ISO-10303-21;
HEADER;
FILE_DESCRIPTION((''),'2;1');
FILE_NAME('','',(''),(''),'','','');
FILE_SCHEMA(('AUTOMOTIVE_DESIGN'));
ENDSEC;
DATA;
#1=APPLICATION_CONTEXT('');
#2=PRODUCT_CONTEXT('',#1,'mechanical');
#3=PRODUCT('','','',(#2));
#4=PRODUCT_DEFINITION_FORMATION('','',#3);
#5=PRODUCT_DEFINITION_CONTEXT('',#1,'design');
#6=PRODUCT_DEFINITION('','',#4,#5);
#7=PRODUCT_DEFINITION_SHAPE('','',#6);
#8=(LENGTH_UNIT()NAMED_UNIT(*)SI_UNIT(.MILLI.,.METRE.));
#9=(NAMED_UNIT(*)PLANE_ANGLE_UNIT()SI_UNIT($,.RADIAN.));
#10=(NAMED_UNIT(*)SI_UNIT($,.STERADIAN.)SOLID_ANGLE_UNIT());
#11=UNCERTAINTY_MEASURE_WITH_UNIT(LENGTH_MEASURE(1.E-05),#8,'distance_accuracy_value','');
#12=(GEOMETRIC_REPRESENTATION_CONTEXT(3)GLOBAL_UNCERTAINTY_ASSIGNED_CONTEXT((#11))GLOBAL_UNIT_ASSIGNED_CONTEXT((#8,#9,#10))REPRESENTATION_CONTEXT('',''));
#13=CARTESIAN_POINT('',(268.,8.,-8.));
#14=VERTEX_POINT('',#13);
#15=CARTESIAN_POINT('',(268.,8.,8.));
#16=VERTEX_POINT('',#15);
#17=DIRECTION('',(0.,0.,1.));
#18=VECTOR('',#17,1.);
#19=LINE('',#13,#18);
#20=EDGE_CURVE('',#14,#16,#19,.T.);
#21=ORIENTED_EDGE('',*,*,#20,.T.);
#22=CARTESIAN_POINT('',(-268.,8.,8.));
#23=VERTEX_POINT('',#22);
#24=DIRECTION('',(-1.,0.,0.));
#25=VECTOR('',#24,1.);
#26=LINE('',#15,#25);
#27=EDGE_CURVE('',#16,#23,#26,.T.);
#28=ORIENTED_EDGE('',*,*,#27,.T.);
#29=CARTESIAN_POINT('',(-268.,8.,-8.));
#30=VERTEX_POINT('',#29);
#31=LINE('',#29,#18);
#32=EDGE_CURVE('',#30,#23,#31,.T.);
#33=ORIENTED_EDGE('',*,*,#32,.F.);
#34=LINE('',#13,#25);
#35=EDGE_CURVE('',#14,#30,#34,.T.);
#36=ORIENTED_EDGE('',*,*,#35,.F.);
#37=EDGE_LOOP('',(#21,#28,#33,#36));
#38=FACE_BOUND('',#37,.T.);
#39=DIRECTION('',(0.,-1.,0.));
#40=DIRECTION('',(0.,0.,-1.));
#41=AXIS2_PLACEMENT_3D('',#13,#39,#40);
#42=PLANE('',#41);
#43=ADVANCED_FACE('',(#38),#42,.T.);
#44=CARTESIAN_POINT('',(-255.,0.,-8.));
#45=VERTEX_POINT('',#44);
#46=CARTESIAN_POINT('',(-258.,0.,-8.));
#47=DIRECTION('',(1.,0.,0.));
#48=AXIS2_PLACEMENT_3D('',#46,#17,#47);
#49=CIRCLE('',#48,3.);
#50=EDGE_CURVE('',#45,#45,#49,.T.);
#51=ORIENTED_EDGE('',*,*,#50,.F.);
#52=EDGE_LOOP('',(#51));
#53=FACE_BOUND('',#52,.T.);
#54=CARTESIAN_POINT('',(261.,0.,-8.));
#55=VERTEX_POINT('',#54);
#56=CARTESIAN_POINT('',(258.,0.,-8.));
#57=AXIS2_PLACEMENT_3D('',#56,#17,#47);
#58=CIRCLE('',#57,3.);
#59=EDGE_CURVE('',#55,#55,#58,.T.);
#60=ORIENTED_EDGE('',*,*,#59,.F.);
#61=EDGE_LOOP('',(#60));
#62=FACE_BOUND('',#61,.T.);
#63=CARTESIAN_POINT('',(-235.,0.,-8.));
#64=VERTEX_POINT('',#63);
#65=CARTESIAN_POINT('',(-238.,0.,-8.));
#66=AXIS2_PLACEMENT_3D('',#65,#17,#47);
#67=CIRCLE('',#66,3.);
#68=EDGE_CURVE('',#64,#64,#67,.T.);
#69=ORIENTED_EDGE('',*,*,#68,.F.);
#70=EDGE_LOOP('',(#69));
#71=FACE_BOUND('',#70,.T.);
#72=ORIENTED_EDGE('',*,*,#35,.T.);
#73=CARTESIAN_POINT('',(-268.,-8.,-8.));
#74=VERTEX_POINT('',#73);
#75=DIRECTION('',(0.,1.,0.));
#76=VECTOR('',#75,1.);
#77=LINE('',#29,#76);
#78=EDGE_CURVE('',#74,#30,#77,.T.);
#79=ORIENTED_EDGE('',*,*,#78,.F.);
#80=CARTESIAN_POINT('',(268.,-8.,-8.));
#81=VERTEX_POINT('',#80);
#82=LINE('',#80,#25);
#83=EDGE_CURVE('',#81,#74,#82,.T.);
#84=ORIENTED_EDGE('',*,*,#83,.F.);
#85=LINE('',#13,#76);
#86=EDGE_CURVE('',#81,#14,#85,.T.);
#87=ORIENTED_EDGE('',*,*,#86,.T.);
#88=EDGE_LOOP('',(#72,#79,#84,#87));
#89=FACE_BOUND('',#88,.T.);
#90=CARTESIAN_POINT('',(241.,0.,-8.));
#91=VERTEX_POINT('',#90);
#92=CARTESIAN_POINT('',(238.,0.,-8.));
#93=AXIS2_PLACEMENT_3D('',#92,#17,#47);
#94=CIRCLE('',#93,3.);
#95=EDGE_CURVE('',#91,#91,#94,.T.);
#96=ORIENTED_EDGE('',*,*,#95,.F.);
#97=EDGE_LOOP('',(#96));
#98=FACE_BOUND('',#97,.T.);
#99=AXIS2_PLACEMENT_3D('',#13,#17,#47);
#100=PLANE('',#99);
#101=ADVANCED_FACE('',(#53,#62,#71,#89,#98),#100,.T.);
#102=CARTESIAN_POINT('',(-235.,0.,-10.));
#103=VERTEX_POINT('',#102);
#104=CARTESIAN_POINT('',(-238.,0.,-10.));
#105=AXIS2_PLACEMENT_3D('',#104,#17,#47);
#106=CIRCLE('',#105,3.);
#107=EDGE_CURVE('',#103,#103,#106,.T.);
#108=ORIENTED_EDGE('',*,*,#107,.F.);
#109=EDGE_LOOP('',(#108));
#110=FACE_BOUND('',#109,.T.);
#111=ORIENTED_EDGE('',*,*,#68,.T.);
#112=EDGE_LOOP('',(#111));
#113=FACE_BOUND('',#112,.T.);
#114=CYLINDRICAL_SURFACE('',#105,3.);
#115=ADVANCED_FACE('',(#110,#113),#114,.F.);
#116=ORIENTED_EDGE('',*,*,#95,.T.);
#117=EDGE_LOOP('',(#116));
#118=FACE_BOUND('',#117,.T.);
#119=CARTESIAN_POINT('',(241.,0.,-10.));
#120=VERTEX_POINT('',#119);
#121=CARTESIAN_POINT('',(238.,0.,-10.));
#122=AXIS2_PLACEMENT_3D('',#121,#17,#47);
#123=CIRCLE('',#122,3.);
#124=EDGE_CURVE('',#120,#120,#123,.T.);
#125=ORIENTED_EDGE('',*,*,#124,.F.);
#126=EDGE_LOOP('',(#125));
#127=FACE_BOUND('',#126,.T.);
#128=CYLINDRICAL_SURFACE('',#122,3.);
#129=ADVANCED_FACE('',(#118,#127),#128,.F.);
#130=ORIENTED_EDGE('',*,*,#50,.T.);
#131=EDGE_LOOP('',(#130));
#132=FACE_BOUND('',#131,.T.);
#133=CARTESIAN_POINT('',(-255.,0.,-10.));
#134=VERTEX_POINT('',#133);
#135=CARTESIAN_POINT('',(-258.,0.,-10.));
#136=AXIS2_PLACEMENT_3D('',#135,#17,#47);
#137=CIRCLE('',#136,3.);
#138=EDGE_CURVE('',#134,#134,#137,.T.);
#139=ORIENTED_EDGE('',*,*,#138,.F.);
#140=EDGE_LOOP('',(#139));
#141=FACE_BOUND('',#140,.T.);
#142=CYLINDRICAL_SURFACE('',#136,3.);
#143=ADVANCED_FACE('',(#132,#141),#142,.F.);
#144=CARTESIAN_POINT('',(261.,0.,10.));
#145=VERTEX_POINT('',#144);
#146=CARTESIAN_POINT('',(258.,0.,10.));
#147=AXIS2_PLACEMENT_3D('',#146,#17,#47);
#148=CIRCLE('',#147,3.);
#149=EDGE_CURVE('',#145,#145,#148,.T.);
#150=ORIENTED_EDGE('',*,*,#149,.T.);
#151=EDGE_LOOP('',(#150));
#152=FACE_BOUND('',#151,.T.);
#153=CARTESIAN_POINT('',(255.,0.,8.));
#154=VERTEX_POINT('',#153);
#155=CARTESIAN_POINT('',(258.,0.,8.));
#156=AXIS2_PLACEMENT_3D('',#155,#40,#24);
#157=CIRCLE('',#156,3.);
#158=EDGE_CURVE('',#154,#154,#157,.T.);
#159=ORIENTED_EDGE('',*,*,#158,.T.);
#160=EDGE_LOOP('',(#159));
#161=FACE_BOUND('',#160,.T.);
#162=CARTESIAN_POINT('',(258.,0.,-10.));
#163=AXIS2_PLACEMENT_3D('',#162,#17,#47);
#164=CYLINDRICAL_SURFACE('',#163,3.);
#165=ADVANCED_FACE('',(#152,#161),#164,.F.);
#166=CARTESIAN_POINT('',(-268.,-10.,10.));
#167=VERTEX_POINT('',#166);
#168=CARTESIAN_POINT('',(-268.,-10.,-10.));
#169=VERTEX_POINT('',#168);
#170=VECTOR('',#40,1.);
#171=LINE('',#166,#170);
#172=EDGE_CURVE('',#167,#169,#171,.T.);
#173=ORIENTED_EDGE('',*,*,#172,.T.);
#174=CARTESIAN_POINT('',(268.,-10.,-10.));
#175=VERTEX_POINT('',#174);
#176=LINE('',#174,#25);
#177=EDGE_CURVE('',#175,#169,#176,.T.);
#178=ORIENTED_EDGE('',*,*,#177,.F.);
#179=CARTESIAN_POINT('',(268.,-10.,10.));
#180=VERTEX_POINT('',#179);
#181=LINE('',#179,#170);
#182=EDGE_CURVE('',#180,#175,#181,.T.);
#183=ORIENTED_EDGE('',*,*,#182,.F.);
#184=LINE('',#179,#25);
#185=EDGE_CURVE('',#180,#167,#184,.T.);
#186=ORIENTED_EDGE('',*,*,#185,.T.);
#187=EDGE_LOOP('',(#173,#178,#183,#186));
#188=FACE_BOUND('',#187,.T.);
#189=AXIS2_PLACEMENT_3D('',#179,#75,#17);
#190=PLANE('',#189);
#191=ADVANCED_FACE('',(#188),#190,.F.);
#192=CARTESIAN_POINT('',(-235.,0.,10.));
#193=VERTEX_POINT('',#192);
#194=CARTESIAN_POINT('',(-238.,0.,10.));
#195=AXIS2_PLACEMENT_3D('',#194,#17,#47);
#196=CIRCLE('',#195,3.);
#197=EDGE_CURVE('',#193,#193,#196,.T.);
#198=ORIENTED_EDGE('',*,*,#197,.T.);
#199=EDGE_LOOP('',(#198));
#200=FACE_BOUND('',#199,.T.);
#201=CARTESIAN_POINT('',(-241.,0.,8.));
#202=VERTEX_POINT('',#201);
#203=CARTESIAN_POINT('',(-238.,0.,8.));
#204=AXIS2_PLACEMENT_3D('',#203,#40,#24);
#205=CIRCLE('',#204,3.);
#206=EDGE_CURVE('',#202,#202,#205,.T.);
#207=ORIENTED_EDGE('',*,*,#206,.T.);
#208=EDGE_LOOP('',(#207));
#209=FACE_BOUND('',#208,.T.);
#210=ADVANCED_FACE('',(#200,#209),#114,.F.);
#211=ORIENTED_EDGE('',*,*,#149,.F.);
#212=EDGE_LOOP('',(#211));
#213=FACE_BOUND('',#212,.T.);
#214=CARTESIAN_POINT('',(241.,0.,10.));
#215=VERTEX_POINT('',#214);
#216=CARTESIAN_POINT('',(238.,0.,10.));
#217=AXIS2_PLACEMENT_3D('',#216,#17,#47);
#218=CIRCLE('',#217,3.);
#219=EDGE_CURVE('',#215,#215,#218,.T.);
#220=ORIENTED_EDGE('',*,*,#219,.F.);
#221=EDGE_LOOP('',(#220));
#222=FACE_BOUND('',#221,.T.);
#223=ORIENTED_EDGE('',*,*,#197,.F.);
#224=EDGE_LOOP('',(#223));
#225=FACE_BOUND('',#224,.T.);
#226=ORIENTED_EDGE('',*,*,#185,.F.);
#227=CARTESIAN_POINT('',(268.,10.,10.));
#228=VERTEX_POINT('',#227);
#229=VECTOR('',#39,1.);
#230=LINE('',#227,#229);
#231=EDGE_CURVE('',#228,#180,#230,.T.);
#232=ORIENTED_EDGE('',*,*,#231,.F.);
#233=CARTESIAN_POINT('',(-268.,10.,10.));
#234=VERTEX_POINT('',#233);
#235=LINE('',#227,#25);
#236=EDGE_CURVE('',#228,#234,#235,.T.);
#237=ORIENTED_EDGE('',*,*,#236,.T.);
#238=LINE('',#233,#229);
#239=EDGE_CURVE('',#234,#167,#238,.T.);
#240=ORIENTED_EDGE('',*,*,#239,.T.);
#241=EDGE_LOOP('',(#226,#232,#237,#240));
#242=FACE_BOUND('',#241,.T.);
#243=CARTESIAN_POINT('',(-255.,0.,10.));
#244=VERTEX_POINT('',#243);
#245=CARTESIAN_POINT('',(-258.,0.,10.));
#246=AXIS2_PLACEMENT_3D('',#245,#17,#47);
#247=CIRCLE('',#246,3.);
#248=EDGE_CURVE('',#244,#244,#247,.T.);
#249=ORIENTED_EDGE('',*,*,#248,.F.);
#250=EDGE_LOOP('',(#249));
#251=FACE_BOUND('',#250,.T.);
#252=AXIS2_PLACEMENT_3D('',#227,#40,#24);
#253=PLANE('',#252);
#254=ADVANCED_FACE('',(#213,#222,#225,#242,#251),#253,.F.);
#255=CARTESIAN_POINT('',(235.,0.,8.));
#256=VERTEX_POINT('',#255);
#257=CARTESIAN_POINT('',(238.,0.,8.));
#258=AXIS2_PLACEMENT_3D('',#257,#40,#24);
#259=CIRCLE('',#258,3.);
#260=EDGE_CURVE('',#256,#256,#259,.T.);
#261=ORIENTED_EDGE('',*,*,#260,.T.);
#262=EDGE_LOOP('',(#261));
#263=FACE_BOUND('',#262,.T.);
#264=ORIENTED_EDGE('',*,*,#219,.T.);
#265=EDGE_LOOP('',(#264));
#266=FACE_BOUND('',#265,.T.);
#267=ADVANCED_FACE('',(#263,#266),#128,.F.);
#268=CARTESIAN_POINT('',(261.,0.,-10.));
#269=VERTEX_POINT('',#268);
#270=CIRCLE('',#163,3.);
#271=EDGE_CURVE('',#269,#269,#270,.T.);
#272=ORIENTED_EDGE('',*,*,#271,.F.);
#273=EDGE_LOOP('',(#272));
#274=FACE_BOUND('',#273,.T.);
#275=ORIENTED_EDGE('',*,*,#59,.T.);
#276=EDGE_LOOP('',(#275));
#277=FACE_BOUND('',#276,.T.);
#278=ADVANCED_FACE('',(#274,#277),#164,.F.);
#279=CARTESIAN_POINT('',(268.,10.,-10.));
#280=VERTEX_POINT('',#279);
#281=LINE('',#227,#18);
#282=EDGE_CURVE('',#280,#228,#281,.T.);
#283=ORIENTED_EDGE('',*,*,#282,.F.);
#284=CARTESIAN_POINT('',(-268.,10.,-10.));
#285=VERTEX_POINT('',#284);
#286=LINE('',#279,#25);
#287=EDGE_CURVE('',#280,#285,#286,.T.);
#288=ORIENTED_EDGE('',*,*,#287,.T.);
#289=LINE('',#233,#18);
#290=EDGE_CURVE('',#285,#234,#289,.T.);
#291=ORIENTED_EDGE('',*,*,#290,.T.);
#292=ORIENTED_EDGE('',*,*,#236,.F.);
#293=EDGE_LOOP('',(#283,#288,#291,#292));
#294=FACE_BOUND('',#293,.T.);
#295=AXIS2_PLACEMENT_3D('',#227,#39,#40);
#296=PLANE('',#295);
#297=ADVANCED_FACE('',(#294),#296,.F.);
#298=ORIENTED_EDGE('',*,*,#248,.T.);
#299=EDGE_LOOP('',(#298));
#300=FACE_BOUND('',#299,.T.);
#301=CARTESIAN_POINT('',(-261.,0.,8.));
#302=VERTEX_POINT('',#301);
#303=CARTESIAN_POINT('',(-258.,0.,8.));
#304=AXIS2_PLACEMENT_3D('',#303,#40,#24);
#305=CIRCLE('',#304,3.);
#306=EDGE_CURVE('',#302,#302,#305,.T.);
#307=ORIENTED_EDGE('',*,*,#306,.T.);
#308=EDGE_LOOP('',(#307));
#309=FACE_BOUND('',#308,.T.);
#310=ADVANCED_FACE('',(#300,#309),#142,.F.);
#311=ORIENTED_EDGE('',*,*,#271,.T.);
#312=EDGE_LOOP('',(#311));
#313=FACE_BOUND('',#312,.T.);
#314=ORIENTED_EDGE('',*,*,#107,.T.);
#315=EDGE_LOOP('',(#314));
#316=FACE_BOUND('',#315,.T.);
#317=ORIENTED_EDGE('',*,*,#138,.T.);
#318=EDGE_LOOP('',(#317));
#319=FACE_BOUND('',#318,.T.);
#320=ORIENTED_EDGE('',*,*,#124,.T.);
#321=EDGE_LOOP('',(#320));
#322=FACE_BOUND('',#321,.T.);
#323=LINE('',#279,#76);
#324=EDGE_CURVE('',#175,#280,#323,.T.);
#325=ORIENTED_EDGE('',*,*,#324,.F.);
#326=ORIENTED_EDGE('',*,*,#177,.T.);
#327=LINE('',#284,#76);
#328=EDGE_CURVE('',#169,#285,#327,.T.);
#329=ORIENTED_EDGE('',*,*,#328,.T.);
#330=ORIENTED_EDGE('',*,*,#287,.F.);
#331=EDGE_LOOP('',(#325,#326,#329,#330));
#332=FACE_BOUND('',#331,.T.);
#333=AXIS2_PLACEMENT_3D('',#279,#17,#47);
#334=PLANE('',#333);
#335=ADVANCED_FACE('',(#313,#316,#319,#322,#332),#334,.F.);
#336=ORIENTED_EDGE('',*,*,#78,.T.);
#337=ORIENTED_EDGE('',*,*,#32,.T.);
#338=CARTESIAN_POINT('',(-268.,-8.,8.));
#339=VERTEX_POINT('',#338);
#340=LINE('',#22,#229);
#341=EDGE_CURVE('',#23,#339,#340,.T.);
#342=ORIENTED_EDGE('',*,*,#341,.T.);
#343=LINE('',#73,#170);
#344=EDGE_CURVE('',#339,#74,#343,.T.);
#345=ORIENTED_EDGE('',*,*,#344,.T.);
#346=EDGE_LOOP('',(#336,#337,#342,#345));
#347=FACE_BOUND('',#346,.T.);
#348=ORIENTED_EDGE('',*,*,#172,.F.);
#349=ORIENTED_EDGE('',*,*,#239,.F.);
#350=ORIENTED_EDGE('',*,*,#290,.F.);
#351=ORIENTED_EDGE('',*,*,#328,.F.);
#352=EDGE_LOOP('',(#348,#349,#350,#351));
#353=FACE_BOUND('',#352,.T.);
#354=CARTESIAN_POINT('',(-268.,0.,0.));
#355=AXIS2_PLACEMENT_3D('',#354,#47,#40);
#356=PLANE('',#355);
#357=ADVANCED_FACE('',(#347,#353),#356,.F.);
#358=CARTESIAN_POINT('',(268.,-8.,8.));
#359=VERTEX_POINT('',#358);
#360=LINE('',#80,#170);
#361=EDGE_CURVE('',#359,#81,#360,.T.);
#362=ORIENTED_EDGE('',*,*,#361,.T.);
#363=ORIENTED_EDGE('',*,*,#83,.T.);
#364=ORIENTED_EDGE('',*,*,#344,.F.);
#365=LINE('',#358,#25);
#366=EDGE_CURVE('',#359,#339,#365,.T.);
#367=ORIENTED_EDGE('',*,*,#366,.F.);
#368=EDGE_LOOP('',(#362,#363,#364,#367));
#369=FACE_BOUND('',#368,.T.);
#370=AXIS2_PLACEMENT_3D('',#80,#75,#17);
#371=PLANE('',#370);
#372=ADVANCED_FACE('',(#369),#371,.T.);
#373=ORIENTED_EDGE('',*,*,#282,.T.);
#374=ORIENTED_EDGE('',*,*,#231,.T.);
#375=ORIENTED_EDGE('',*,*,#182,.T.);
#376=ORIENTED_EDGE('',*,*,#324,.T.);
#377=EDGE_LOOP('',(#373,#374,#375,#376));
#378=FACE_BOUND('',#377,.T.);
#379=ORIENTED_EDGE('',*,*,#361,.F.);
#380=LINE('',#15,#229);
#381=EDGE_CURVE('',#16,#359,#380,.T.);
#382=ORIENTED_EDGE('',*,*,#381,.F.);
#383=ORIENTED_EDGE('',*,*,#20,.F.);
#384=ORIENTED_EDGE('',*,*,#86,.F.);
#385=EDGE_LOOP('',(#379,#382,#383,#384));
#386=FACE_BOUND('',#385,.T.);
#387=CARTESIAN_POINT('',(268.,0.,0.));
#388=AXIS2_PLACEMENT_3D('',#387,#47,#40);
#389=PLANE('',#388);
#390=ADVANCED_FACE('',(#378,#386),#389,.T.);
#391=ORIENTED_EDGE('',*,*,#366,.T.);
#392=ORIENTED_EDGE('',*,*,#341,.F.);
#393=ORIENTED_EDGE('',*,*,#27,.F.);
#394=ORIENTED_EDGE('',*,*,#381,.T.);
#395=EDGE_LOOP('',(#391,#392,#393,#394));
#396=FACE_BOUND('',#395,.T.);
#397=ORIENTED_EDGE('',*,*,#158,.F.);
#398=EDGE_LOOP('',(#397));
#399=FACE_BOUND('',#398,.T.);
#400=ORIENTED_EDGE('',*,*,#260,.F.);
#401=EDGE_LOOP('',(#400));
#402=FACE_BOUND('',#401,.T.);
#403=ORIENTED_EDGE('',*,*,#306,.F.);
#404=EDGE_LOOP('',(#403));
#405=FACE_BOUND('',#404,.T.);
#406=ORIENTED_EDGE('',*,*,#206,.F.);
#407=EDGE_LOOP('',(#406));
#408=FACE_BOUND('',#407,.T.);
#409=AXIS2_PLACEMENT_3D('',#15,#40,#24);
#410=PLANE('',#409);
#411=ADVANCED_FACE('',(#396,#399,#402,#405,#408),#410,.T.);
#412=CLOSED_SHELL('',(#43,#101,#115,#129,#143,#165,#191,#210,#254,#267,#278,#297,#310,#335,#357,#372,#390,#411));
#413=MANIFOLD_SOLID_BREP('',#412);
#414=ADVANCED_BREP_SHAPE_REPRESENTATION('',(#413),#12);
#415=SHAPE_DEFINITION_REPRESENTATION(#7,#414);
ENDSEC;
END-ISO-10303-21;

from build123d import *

# Parameters (mm, degrees)
SKETCH1_W           = 20
SKETCH1_H           = 20
SKETCH1_W_2         = 16
SKETCH1_H_2         = 16
BOSS_EXTRUDE1_DEPTH = 268
SKETCH2_R           = 3
CUT_EXTRUDE1_DEPTH  = 269.931217972


with BuildPart() as part:
    # Sketch1 → Boss-Extrude1 (new, symmetric)
    with BuildSketch(Plane(origin=(0, 0, 0), x_dir=(0, 0, -1), z_dir=(1, 0, 0))):
        Rectangle(SKETCH1_W, SKETCH1_H)
        Rectangle(SKETCH1_W_2, SKETCH1_H_2, mode=Mode.SUBTRACT)
    extrude(amount=BOSS_EXTRUDE1_DEPTH, both=True)

    # Sketch2 → Cut-Extrude1 (cut, through all)
    with BuildSketch(Plane.XY.offset(10)):
        with Locations((258, 0)):
            Circle(SKETCH2_R)
        with Locations((238, 0)):
            Circle(SKETCH2_R)
        with Locations((-238, 0)):
            Circle(SKETCH2_R)
        with Locations((-258, 0)):
            Circle(SKETCH2_R)
    extrude(amount=-CUT_EXTRUDE1_DEPTH, mode=Mode.SUBTRACT)


solid = part.part
